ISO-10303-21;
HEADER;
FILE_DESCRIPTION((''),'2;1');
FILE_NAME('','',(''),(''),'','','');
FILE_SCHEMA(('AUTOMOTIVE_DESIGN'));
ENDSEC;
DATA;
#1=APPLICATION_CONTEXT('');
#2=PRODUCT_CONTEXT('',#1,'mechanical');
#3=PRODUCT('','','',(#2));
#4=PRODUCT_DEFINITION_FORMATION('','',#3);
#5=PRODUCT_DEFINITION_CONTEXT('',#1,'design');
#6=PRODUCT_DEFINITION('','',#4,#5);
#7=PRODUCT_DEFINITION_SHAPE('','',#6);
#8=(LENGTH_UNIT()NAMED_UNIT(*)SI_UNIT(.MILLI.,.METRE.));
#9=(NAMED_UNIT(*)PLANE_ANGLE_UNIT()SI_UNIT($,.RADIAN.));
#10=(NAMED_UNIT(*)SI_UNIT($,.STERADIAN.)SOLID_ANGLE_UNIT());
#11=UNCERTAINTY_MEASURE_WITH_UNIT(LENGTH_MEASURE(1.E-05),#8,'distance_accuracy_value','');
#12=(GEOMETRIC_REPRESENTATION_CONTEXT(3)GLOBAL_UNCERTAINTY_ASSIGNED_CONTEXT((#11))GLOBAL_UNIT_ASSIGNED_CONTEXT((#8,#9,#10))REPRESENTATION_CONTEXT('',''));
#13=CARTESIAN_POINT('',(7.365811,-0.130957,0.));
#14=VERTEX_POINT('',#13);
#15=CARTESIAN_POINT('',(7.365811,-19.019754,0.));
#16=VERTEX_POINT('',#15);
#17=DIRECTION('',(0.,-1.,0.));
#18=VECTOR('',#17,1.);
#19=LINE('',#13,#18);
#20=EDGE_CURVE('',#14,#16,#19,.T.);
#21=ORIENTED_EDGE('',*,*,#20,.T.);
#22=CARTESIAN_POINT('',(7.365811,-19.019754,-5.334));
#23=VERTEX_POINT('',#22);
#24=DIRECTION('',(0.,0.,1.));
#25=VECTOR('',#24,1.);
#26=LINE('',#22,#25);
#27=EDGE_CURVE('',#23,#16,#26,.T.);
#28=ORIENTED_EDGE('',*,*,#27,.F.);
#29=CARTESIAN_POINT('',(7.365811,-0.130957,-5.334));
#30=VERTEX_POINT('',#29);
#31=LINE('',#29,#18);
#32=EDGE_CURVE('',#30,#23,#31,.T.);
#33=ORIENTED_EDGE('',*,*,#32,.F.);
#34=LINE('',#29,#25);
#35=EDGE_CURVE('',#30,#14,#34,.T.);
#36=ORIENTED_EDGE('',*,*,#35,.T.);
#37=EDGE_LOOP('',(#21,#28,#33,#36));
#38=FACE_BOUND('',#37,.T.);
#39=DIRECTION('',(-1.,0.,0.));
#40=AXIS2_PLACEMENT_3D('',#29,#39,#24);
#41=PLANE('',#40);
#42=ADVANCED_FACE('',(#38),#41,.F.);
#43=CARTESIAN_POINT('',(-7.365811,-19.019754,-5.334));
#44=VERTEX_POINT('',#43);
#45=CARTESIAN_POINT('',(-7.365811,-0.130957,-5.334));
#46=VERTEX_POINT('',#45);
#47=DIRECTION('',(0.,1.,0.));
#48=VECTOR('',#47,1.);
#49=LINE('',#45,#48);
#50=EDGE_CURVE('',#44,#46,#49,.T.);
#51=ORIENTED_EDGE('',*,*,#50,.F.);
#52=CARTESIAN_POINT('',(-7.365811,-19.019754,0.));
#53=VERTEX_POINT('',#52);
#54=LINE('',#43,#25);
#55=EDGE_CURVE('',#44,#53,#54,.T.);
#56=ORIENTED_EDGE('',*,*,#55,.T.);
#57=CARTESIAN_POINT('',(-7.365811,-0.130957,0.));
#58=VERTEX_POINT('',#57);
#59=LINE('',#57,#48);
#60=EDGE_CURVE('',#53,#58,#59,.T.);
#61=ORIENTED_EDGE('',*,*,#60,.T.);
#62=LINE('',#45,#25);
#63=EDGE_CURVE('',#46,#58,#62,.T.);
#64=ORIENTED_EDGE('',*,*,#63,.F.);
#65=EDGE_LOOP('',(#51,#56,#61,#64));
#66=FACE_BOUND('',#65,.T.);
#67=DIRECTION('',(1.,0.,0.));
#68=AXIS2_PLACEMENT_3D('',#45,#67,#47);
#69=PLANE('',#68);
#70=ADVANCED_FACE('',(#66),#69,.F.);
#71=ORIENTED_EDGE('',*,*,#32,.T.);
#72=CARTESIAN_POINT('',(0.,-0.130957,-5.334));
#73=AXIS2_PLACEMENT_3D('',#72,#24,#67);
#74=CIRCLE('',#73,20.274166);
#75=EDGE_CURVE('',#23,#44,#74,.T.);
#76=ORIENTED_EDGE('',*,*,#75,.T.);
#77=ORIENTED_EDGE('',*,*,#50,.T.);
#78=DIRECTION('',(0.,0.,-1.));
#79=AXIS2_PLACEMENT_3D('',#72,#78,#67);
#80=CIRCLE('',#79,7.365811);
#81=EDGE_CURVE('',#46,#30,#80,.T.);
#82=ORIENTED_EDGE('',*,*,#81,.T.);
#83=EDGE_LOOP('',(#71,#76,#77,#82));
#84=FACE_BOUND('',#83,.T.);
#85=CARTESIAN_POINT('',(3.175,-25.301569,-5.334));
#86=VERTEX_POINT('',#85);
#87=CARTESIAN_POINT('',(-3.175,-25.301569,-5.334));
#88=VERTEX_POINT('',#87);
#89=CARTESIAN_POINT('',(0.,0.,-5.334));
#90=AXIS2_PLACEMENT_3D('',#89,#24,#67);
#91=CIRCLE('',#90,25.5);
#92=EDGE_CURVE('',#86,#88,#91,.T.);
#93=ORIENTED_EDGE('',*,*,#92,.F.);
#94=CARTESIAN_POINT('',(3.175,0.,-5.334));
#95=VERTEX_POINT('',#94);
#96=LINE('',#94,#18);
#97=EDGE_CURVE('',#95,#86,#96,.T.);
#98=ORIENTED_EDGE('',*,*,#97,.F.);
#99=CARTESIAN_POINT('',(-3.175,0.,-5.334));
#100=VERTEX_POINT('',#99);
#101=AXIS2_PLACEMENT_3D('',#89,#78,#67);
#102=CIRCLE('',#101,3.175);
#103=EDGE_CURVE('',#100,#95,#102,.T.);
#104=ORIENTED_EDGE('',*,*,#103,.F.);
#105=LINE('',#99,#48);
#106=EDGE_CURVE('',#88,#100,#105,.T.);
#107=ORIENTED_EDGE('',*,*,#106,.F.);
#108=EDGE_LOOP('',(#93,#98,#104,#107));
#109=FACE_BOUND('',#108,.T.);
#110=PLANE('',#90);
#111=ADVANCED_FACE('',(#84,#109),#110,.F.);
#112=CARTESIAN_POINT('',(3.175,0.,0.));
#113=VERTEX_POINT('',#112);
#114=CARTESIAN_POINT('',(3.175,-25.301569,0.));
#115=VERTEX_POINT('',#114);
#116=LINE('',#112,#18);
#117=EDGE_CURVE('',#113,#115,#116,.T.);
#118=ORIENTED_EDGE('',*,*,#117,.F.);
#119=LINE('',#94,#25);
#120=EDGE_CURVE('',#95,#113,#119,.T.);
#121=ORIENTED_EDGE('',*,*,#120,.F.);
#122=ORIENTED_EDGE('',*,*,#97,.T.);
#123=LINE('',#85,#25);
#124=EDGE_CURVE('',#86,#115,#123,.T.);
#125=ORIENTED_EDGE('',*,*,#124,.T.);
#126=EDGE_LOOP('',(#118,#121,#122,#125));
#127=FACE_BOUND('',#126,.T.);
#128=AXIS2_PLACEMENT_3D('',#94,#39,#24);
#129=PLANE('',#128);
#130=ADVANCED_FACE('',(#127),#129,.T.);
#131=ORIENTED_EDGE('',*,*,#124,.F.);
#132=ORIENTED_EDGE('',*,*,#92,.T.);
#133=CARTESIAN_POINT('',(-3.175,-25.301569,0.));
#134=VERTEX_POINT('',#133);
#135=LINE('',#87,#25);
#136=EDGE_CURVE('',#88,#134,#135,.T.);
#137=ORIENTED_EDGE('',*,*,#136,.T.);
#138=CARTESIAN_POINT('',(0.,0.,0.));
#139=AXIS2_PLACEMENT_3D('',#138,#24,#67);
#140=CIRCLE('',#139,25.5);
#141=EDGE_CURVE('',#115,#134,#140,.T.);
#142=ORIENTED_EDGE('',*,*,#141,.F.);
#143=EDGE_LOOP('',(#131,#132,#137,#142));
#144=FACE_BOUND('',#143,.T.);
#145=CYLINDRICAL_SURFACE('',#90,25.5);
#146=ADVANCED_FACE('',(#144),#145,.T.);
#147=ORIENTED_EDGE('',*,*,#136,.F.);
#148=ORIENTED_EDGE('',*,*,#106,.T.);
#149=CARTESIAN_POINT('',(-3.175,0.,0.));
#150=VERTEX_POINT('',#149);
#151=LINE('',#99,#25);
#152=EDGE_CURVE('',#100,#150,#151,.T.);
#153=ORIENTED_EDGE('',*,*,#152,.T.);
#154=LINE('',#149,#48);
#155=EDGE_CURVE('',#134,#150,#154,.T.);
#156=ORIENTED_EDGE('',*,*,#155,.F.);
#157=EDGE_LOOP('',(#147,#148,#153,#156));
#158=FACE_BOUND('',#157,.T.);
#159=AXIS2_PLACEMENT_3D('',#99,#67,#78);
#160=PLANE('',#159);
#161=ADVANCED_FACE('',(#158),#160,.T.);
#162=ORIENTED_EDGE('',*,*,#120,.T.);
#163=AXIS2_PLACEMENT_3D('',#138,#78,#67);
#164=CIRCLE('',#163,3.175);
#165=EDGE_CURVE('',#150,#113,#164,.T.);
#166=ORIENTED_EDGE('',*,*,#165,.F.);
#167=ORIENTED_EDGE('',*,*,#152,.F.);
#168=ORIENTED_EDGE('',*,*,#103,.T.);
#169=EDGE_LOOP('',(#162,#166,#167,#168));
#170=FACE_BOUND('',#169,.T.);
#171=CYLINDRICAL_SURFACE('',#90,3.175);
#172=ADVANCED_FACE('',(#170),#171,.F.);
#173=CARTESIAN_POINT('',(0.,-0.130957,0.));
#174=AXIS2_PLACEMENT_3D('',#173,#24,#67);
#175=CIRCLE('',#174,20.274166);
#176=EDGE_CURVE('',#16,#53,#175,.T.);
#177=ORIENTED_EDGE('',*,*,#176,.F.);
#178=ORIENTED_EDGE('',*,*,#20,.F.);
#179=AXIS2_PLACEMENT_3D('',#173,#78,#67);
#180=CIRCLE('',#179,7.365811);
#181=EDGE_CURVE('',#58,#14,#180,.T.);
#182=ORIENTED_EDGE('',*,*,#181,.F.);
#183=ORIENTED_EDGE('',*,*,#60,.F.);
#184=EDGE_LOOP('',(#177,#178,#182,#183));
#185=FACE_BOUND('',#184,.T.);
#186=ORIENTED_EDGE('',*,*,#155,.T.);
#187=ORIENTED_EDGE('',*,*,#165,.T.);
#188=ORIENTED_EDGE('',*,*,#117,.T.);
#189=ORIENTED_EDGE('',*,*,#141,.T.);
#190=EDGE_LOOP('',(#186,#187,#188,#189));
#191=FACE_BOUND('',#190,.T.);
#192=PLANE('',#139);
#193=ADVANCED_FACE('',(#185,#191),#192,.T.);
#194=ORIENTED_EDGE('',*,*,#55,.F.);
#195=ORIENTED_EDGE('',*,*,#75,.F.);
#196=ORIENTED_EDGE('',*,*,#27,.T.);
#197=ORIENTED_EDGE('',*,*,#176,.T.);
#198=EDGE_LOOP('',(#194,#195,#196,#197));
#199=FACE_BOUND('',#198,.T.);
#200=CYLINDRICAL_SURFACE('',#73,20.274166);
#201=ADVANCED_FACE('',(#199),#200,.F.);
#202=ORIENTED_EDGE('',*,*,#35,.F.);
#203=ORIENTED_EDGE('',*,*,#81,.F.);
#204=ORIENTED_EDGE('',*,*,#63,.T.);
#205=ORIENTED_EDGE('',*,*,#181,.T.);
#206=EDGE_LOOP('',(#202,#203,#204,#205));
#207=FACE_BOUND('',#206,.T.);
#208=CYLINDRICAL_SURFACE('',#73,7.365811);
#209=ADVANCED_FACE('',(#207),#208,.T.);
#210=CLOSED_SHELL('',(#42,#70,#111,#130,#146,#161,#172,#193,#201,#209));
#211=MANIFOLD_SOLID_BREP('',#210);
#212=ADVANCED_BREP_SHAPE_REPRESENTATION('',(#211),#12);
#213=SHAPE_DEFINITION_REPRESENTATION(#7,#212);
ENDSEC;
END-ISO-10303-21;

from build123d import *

# Parameters (mm, degrees)
BOSS_EXTRUDE1_DEPTH = 5.334
CUT_EXTRUDE1_DEPTH  = 37.454787834


with BuildPart() as part:
    # Sketch1 → Boss-Extrude1 (new body)
    with BuildSketch(Plane.XY):
        with BuildLine():
            Line((-3.175, 0), (-3.175, -25.301568627))
            ThreePointArc((-3.175, -25.301568627), (0, 25.5), (3.175, -25.301568627))
            Line((3.175, -25.301568627), (3.175, 0))
            ThreePointArc((3.175, 0), (0, 3.175), (-3.175, 0))
        make_face()
    extrude(amount=-BOSS_EXTRUDE1_DEPTH)

    # Sketch3 → Cut-Extrude1 (cut, through all)
    with BuildSketch(Plane.XY):
        with BuildLine():
            Line((-7.365810735, -0.130956725), (-7.365810735, -19.019753779))
            ThreePointArc((-7.365810735, -19.019753779), (0, 20.143209644), (7.365810735, -19.019753779))
            Line((7.365810735, -19.019753779), (7.365810735, -0.130956725))
            ThreePointArc((7.365810735, -0.130956725), (0, 7.23485401), (-7.365810735, -0.130956725))
        make_face()
    extrude(amount=-CUT_EXTRUDE1_DEPTH, mode=Mode.SUBTRACT)


solid = part.part
